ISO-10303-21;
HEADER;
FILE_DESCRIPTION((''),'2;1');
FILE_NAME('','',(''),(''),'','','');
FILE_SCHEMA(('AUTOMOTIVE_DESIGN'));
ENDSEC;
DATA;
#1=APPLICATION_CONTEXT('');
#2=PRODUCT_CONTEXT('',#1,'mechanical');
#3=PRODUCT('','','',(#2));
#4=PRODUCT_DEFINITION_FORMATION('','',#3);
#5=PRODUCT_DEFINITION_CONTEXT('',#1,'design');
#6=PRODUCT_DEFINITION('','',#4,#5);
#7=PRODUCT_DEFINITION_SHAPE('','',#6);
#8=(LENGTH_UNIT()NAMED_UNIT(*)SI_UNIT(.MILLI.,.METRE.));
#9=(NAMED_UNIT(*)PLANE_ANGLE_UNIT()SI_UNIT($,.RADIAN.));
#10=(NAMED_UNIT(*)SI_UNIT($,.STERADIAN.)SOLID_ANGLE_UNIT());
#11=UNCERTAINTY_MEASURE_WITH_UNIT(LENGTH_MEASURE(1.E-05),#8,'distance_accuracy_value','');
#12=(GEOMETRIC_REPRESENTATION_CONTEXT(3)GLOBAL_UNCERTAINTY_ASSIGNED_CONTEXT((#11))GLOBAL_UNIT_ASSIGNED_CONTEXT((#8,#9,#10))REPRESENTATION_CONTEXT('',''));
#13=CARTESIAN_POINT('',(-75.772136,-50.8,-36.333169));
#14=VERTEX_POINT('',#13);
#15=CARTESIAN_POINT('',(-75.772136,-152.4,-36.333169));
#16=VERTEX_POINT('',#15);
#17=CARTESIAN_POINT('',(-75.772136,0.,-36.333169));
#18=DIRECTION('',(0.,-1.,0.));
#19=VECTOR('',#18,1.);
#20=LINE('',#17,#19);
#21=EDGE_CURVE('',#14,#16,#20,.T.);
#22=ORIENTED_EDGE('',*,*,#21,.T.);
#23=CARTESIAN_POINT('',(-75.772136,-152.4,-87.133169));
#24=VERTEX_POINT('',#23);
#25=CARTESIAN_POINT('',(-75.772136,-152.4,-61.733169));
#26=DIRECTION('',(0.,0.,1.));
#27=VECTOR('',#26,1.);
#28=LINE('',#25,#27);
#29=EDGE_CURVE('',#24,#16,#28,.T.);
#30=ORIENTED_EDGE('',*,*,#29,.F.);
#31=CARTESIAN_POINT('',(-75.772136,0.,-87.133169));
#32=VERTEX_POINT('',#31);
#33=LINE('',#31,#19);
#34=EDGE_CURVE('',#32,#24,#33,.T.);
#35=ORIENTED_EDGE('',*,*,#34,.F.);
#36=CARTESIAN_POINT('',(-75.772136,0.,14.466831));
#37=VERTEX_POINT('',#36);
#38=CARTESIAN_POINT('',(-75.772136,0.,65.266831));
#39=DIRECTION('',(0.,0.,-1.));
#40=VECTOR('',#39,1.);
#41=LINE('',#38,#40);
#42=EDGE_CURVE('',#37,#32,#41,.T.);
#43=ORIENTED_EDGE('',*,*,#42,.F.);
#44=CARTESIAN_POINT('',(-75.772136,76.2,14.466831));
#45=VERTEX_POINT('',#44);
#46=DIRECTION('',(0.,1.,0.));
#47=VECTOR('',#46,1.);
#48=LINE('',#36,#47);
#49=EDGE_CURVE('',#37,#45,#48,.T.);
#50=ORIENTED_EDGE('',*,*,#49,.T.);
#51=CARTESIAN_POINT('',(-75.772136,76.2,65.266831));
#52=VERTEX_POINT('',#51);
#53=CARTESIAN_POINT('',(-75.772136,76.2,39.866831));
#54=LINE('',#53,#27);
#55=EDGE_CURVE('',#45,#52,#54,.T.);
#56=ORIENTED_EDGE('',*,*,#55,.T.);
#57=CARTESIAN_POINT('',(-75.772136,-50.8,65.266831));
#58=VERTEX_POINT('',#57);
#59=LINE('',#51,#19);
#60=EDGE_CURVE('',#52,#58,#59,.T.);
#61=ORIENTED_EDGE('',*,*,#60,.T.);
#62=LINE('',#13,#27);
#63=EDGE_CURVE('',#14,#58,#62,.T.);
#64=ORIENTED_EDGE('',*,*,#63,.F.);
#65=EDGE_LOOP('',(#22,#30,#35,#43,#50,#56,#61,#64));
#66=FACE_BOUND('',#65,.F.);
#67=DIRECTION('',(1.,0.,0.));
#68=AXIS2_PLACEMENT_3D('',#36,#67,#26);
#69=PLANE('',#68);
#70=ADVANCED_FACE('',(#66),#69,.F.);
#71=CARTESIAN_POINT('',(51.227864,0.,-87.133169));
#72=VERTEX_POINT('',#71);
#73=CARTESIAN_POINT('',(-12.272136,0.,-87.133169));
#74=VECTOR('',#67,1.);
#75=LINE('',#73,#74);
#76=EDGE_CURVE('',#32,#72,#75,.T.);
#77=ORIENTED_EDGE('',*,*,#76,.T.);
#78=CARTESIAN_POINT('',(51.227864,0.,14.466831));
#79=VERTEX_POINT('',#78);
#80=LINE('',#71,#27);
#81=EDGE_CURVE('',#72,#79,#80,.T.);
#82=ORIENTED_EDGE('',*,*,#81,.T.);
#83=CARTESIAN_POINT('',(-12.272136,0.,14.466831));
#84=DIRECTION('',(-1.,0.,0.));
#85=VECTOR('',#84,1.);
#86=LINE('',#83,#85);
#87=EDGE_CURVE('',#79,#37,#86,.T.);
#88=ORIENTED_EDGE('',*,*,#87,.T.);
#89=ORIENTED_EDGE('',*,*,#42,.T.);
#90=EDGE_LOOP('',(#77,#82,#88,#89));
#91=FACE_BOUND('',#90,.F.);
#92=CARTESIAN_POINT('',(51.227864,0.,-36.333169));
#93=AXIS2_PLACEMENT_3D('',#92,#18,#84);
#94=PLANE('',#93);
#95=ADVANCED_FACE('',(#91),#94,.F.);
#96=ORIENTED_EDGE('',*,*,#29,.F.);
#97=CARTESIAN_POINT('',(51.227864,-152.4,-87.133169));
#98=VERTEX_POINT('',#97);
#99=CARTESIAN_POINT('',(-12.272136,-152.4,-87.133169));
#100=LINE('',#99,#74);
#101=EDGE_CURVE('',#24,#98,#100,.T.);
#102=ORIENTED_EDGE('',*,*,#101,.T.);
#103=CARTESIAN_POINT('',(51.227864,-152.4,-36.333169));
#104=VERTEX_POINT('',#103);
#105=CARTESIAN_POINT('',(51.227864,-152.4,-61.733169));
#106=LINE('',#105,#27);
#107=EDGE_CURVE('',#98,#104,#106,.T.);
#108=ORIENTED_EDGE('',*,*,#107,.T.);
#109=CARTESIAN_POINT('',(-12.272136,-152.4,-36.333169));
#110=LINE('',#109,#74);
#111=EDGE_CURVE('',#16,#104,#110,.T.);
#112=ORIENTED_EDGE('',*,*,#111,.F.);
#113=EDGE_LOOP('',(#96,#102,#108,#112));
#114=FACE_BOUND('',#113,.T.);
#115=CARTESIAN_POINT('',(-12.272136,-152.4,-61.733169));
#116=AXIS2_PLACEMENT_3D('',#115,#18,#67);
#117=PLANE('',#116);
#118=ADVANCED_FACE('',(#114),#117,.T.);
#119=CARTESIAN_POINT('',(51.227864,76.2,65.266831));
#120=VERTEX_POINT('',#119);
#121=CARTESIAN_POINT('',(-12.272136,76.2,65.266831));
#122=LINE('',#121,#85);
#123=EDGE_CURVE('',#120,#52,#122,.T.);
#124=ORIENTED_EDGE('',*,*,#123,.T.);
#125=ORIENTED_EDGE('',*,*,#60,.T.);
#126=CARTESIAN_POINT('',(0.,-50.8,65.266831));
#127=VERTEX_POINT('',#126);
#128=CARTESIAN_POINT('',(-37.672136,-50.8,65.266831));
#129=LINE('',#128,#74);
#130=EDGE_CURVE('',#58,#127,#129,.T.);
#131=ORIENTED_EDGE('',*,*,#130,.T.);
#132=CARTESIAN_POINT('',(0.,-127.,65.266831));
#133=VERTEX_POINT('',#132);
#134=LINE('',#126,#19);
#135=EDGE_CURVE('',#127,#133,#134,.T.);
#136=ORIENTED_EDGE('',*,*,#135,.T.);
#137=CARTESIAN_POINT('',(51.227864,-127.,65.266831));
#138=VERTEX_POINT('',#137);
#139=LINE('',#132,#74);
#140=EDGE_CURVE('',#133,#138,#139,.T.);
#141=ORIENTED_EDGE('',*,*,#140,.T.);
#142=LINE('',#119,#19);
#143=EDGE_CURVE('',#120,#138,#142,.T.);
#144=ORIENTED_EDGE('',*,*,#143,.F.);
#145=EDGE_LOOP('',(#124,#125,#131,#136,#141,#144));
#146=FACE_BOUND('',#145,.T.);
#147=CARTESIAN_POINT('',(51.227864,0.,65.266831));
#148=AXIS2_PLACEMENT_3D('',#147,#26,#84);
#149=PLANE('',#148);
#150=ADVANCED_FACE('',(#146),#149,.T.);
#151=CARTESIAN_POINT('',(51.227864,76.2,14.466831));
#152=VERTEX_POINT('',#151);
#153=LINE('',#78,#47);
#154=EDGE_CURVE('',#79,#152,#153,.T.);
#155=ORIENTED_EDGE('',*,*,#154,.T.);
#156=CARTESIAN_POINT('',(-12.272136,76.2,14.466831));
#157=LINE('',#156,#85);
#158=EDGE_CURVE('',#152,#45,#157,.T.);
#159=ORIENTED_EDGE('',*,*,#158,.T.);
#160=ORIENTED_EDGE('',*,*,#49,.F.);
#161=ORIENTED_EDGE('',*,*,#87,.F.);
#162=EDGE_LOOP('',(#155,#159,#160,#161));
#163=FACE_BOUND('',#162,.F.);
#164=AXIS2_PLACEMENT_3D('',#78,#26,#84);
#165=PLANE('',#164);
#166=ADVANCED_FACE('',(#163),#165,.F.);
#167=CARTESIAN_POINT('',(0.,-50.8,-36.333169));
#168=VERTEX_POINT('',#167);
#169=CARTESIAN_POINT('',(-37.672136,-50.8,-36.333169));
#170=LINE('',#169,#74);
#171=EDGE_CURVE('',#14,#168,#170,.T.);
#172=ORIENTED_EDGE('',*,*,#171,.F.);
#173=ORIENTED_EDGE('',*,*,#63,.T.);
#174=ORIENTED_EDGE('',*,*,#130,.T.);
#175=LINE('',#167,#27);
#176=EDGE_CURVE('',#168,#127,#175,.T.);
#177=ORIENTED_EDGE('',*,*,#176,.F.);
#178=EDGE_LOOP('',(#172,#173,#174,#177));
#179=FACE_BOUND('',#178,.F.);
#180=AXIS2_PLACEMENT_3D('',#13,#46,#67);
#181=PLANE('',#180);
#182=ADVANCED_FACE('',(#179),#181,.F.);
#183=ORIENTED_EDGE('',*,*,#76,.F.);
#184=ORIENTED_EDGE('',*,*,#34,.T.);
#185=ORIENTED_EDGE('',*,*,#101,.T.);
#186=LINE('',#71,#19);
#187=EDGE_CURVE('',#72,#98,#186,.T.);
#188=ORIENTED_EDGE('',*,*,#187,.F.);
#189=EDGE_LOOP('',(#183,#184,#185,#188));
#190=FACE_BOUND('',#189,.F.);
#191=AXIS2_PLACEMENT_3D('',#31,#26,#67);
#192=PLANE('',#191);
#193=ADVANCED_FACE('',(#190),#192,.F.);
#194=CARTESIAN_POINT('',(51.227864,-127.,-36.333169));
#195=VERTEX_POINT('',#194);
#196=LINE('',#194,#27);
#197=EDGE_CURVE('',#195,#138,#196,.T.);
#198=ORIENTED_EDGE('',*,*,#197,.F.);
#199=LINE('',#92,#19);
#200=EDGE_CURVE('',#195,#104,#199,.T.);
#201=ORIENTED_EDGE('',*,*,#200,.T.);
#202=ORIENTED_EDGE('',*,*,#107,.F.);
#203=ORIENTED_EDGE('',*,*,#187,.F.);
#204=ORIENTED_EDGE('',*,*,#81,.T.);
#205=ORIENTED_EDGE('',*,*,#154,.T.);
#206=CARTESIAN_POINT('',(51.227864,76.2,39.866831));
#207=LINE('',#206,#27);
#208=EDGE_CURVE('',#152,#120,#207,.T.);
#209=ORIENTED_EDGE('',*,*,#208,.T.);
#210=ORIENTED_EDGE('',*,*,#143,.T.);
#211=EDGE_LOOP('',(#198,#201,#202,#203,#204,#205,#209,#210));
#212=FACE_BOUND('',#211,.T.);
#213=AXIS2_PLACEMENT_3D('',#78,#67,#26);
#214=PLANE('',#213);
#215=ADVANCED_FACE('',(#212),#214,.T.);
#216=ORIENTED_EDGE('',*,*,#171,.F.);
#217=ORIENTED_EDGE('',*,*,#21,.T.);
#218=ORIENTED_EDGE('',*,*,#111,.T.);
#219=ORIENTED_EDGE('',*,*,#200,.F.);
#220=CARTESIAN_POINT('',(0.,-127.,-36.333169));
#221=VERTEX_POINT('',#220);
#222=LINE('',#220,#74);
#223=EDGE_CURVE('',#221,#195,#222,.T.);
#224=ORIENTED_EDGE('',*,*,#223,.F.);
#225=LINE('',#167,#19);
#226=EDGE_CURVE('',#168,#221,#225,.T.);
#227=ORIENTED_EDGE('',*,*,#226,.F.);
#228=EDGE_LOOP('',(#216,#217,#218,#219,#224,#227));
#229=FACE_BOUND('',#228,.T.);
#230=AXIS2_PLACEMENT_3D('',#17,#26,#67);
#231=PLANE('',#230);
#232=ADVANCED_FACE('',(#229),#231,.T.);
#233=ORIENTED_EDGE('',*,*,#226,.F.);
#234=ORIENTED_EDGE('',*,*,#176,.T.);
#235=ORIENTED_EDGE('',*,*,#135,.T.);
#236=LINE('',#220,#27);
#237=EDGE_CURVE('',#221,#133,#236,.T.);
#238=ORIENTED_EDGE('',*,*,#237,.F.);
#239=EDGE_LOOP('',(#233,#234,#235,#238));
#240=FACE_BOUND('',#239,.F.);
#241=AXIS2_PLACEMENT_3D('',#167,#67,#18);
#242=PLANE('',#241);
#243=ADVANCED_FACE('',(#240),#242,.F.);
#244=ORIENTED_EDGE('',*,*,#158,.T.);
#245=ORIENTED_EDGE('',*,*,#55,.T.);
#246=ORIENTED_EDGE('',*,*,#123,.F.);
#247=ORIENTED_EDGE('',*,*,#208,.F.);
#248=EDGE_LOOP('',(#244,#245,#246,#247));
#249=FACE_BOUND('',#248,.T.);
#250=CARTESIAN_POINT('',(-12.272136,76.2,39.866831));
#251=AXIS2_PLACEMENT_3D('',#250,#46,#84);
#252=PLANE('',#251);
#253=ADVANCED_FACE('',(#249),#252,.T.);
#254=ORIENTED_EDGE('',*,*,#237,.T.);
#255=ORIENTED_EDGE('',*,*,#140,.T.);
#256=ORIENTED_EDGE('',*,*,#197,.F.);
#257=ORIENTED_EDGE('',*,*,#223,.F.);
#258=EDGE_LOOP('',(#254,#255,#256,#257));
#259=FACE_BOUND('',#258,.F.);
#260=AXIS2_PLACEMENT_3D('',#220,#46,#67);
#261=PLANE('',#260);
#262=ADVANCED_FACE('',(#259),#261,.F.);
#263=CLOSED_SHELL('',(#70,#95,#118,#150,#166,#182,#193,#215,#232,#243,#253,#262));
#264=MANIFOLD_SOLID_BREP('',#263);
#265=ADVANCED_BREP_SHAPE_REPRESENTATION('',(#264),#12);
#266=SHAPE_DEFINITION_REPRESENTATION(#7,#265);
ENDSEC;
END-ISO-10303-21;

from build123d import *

# Parameters (mm, degrees)
F0_W     = 127
F0_H     = 50.8
F1_DEPTH = 152.4
F2_W     = 76.2
F2_H     = 50.8
F3_DEPTH = 101.6
F5_DEPTH = 101.6
F6_W     = 127
F6_H     = 50.8
F7_DEPTH = 76.2


with BuildPart() as f1:
    # F0 (on Front) → F1 (new body)
    with BuildSketch(Plane.XZ):
        with Locations((-12.272136, -61.733169)):
            Rectangle(F0_W, F0_H)
    extrude(amount=F1_DEPTH)

    # F2 (on face) → F3 (join)
    with BuildSketch(Plane.XY.offset(-36.333169)):
        with Locations((-37.672136, -25.4)):
            Rectangle(F2_W, F2_H)
    extrude(amount=F3_DEPTH)

    # F4 (on face) → F5 (join)
    with BuildSketch(Plane.XY.offset(-36.333169)):
        Polygon((51.227864, -127), (51.227864, 0), (0.427864, 0), (0.427864, -50.8), (0, -50.8), (0, -127), align=None)
    extrude(amount=F5_DEPTH)

    # F6 (on face) → F7 (join)
    with BuildSketch(Plane(origin=(0, 0, 0), x_dir=(-1, 0, 0), z_dir=(0, 1, 0))):
        with Locations((12.272136, 39.866831)):
            Rectangle(F6_W, F6_H)
    extrude(amount=F7_DEPTH)


solid = f1.part
